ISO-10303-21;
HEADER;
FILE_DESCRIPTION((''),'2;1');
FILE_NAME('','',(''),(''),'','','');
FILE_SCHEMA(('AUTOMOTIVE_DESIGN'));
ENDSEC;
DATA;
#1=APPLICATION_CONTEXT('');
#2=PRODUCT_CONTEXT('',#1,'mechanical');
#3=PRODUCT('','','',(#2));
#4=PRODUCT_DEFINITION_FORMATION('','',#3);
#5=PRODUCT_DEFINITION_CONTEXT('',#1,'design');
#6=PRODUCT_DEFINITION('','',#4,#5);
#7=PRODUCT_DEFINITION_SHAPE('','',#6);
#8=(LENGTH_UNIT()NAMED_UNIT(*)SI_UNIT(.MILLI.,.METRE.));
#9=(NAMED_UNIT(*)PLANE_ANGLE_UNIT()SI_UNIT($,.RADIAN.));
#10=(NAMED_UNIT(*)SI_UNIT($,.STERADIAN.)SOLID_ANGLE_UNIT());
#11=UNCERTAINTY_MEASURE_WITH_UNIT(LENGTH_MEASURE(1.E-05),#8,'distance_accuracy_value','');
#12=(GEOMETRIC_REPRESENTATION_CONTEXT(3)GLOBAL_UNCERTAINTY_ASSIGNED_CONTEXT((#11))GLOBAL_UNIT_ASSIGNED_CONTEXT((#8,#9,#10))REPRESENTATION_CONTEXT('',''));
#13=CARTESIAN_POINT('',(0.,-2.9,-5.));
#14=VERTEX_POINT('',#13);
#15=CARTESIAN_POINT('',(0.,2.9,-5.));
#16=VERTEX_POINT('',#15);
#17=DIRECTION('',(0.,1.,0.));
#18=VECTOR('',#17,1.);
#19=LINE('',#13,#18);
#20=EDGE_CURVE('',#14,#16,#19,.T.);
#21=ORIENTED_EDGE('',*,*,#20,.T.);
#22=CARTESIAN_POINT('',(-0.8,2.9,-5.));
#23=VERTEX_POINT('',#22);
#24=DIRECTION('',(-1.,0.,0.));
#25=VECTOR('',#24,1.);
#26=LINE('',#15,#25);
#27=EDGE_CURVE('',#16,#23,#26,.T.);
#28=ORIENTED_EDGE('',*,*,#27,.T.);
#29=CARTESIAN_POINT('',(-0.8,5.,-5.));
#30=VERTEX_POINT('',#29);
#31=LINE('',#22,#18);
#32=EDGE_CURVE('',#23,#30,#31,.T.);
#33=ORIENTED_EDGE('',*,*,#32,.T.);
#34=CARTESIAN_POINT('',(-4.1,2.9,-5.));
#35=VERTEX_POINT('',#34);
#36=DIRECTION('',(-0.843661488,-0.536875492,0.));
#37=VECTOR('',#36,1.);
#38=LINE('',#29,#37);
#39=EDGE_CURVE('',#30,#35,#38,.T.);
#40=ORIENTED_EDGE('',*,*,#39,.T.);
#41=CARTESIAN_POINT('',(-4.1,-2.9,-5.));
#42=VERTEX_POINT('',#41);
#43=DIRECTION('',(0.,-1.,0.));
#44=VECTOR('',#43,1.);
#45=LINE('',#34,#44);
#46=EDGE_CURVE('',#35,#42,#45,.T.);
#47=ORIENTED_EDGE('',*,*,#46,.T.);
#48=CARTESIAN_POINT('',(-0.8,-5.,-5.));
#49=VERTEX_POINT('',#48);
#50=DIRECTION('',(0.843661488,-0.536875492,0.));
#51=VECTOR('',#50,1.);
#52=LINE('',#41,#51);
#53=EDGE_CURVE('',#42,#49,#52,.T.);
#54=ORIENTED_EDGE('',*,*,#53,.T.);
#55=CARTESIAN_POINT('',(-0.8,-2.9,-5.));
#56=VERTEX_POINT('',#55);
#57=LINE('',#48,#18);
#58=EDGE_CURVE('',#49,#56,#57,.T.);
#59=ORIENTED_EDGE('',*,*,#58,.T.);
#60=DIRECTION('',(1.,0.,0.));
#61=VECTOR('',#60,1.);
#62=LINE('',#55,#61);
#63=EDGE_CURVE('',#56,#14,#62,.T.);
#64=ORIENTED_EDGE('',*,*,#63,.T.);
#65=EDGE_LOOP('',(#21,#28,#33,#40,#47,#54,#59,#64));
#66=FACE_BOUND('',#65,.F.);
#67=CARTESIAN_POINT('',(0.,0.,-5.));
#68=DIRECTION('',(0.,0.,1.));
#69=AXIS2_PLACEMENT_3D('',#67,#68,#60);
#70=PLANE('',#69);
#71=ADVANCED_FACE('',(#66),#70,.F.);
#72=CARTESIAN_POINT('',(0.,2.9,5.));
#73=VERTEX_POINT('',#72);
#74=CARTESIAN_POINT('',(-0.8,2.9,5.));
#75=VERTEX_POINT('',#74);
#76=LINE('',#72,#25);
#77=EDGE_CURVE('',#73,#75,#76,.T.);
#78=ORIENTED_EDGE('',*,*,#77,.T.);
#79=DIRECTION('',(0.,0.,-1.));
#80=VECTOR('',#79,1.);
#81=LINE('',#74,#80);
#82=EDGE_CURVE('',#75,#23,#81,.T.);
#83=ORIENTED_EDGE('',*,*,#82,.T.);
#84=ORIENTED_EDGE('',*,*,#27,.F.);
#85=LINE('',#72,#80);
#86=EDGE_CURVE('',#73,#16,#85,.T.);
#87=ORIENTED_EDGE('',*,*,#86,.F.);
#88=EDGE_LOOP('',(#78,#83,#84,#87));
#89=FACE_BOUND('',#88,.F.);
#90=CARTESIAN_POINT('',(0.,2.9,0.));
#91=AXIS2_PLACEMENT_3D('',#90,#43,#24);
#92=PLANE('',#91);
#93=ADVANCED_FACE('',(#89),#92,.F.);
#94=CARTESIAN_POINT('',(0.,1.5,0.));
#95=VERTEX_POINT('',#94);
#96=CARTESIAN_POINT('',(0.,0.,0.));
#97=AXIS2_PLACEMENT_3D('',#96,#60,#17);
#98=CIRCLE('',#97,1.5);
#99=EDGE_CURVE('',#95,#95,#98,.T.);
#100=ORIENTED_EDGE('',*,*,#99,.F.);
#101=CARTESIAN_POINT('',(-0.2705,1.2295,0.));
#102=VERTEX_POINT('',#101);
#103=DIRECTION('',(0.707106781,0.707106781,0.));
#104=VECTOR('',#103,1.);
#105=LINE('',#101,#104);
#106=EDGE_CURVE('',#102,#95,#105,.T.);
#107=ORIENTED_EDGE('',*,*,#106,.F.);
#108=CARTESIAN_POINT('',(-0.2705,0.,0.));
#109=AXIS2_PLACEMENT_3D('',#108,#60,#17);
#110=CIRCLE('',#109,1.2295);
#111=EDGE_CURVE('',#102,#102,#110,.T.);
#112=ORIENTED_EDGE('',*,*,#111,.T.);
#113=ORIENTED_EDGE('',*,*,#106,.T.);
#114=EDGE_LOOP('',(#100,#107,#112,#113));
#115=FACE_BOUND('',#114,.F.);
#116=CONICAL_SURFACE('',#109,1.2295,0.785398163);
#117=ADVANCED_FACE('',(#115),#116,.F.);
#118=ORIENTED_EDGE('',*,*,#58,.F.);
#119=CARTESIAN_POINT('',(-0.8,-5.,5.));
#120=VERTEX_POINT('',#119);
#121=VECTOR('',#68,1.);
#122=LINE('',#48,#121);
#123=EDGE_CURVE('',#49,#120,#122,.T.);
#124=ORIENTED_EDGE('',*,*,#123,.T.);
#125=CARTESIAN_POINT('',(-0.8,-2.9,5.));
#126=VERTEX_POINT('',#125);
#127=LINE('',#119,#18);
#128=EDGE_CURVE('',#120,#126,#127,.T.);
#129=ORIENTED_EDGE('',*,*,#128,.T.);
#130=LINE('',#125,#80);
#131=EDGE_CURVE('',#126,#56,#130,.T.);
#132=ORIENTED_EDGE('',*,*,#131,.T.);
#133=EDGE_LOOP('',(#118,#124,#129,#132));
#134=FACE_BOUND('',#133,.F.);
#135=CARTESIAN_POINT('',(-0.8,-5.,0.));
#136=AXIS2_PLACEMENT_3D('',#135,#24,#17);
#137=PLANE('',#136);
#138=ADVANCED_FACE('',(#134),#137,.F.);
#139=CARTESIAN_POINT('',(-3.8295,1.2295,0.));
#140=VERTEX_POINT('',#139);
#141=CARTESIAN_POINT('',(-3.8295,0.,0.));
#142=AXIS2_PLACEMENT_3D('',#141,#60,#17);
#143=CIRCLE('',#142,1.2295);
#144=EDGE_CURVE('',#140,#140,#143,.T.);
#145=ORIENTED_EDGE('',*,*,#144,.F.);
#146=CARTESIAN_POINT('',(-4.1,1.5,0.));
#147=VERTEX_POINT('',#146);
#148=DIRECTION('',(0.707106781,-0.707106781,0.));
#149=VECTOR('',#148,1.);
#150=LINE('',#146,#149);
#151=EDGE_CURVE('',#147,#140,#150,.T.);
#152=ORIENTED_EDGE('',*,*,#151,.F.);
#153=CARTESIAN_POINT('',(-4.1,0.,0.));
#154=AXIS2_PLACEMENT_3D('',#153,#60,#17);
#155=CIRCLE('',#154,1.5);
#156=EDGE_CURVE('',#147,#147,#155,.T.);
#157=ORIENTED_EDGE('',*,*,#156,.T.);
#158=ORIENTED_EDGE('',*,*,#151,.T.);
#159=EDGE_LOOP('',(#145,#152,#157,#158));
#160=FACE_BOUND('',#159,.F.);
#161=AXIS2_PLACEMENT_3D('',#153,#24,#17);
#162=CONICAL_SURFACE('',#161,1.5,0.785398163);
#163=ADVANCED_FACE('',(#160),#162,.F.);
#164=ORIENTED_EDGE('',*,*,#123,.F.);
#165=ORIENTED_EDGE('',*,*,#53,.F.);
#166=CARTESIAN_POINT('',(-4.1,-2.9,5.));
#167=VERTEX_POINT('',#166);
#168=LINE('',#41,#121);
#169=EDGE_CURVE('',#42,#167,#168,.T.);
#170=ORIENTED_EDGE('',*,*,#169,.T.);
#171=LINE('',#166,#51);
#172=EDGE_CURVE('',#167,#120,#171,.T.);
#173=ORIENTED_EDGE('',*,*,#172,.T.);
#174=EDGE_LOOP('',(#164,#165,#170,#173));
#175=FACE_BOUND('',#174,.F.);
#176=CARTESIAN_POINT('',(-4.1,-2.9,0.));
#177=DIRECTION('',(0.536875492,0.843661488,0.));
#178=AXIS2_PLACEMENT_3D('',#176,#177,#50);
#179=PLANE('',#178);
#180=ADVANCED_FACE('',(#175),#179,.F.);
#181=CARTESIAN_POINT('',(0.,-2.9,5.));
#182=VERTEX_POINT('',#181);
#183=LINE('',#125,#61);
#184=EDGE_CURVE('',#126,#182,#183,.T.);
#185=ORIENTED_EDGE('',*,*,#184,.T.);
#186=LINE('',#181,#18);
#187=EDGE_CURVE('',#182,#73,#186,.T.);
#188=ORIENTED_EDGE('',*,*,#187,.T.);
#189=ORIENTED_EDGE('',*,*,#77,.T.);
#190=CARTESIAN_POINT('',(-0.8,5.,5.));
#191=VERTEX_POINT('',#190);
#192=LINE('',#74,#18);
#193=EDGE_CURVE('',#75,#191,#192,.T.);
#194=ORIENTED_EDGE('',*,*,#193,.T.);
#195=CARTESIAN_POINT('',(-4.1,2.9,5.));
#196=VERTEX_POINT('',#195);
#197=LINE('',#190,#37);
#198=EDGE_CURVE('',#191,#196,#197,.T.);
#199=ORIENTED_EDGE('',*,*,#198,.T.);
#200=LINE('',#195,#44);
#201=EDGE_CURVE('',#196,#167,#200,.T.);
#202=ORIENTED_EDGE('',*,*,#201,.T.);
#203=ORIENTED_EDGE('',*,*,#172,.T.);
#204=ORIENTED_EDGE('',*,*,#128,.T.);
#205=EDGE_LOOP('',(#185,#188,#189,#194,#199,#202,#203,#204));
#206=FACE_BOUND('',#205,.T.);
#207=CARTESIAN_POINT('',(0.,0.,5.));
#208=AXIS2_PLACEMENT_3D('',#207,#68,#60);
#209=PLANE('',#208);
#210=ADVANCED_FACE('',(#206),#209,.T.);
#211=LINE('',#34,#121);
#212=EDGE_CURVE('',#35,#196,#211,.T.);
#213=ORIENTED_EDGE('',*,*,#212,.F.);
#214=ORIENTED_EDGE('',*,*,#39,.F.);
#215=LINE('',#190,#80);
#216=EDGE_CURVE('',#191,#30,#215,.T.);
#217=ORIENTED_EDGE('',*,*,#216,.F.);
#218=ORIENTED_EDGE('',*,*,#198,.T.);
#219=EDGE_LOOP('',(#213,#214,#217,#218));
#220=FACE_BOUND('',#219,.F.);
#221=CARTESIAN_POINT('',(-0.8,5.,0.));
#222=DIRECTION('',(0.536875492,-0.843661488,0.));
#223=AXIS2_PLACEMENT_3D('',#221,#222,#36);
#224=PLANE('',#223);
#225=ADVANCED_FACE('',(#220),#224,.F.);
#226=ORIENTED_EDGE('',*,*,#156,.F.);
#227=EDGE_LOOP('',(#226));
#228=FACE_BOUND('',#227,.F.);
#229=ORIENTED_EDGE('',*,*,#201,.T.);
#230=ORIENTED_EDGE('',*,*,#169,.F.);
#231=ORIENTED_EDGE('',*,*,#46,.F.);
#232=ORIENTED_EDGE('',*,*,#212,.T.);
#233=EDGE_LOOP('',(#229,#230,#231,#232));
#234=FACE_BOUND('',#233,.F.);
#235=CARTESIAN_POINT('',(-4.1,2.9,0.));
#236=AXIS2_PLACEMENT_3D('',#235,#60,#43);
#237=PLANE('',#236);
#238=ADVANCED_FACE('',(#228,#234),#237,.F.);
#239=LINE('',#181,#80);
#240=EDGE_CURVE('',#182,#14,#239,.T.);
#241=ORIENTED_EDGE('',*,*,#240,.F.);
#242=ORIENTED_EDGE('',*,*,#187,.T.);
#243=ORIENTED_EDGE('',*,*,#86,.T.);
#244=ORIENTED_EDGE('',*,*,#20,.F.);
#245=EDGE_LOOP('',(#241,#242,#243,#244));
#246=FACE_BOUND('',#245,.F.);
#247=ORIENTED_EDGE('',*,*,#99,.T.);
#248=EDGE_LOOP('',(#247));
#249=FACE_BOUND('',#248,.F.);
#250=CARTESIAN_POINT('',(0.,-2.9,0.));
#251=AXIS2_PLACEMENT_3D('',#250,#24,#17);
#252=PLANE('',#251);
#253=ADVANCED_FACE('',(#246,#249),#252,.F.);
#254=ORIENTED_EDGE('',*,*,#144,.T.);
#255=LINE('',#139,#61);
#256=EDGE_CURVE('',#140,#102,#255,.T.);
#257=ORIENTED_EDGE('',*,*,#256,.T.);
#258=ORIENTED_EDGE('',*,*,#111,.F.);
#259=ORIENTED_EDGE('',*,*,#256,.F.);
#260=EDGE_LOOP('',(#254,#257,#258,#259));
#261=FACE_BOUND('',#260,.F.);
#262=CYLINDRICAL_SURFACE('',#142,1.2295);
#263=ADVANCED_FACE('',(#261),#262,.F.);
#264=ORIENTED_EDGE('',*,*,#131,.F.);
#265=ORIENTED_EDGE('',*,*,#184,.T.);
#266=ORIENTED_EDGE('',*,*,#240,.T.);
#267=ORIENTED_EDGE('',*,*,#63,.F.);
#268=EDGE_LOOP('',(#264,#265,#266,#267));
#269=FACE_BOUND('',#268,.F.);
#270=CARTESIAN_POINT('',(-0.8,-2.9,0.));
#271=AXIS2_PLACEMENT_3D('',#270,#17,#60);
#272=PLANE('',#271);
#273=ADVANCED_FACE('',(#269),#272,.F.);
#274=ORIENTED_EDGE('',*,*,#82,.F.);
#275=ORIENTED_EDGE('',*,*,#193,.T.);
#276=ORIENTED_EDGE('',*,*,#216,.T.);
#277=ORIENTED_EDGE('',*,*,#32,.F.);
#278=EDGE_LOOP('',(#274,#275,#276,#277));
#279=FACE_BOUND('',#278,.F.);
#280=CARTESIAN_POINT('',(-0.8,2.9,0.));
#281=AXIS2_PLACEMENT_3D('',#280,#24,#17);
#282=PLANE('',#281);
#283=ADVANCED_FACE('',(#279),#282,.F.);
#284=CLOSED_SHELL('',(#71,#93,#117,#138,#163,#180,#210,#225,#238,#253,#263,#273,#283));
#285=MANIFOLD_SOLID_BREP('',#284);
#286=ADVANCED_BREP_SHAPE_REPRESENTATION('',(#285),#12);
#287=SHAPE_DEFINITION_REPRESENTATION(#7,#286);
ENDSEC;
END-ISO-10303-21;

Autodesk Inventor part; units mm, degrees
sketch "Sketch_4" plane through (0, 0, 0) normal (0, 0, 1) x (1, 0, 0)
  line L0 (-4.1, 2.9) -> (-4.1, -2.9)
  line L1 (-4.1, -2.9) -> (-0.8, -5)
  line L2 (-0.8, -5) -> (-0.8, -2.9)
  line L3 (-0.8, -2.9) -> (0, -2.9)
  line L4 (0, -2.9) -> (0, 2.9)
  line L5 (0, 2.9) -> (-0.8, 2.9)
  line L6 (-0.8, 2.9) -> (-0.8, 5)
  line L7 (-0.8, 5) -> (-4.1, 2.9)
extrude "Extrusion1" add sketch "Sketch_4" along normal mid plane 10
sketch "Sketch_5" plane through (0, 0, 0) normal (0, 0, 1) x (1, 0, 0)
  line L0 (0, 0) -> (-4.1, 0)
  line L1 (-4.1, 0) -> (-4.1, 1.5)
  line L2 (-4.1, 1.5) -> (-3.8295, 1.2295)
  line L3 (-3.8295, 1.2295) -> (-0.2705, 1.2295)
  line L4 (-0.2705, 1.2295) -> (0, 1.5)
  line L5 (0, 1.5) -> (0, 0)
  line L6 (0, 0) -> (-4.1, 0)
revolve "Revolution1" cut sketch "Sketch_5" angle 360 about axis through (0, 0, 0) along (1, 0, 0)
thread "Thread1" size "M3x0.5" class "6H" standard "ISO Metric profile" full length
ref_plane "nut_XY" through (0, 0, 0) normal (1, 0, 0) x (0, 0, -1)
ref_plane "nut_YZ" through (0, 0, 0) normal (0, 0, -1) x (0, 1, 0)
ref_plane "nut_ZX" through (0, 0, 0) normal (0, 1, 0) x (1, 0, 0)
ref_plane "to_bolt_XY" through (-4.1, 0, 0) normal (1, 0, 0) x (0, 0, -1)
ref_plane "to_bolt_YZ" through (-4.1, 0, 0) normal (0, 0, -1) x (0, 1, 0)
ref_plane "to_bolt_ZX" through (-4.1, 0, 0) normal (0, 1, 0) x (1, 0, 0)
ref_plane "to_frames_XY" through (-0.8, 0, 0) normal (1, 0, 0) x (0, 0, -1)
ref_plane "to_frames_YZ" through (-0.8, 0, 0) normal (0, 0, -1) x (0, 1, 0)
ref_plane "to_frames_ZX" through (-0.8, 0, 0) normal (0, 1, 0) x (1, 0, 0)
properties part number "HNTT5-3_1"
